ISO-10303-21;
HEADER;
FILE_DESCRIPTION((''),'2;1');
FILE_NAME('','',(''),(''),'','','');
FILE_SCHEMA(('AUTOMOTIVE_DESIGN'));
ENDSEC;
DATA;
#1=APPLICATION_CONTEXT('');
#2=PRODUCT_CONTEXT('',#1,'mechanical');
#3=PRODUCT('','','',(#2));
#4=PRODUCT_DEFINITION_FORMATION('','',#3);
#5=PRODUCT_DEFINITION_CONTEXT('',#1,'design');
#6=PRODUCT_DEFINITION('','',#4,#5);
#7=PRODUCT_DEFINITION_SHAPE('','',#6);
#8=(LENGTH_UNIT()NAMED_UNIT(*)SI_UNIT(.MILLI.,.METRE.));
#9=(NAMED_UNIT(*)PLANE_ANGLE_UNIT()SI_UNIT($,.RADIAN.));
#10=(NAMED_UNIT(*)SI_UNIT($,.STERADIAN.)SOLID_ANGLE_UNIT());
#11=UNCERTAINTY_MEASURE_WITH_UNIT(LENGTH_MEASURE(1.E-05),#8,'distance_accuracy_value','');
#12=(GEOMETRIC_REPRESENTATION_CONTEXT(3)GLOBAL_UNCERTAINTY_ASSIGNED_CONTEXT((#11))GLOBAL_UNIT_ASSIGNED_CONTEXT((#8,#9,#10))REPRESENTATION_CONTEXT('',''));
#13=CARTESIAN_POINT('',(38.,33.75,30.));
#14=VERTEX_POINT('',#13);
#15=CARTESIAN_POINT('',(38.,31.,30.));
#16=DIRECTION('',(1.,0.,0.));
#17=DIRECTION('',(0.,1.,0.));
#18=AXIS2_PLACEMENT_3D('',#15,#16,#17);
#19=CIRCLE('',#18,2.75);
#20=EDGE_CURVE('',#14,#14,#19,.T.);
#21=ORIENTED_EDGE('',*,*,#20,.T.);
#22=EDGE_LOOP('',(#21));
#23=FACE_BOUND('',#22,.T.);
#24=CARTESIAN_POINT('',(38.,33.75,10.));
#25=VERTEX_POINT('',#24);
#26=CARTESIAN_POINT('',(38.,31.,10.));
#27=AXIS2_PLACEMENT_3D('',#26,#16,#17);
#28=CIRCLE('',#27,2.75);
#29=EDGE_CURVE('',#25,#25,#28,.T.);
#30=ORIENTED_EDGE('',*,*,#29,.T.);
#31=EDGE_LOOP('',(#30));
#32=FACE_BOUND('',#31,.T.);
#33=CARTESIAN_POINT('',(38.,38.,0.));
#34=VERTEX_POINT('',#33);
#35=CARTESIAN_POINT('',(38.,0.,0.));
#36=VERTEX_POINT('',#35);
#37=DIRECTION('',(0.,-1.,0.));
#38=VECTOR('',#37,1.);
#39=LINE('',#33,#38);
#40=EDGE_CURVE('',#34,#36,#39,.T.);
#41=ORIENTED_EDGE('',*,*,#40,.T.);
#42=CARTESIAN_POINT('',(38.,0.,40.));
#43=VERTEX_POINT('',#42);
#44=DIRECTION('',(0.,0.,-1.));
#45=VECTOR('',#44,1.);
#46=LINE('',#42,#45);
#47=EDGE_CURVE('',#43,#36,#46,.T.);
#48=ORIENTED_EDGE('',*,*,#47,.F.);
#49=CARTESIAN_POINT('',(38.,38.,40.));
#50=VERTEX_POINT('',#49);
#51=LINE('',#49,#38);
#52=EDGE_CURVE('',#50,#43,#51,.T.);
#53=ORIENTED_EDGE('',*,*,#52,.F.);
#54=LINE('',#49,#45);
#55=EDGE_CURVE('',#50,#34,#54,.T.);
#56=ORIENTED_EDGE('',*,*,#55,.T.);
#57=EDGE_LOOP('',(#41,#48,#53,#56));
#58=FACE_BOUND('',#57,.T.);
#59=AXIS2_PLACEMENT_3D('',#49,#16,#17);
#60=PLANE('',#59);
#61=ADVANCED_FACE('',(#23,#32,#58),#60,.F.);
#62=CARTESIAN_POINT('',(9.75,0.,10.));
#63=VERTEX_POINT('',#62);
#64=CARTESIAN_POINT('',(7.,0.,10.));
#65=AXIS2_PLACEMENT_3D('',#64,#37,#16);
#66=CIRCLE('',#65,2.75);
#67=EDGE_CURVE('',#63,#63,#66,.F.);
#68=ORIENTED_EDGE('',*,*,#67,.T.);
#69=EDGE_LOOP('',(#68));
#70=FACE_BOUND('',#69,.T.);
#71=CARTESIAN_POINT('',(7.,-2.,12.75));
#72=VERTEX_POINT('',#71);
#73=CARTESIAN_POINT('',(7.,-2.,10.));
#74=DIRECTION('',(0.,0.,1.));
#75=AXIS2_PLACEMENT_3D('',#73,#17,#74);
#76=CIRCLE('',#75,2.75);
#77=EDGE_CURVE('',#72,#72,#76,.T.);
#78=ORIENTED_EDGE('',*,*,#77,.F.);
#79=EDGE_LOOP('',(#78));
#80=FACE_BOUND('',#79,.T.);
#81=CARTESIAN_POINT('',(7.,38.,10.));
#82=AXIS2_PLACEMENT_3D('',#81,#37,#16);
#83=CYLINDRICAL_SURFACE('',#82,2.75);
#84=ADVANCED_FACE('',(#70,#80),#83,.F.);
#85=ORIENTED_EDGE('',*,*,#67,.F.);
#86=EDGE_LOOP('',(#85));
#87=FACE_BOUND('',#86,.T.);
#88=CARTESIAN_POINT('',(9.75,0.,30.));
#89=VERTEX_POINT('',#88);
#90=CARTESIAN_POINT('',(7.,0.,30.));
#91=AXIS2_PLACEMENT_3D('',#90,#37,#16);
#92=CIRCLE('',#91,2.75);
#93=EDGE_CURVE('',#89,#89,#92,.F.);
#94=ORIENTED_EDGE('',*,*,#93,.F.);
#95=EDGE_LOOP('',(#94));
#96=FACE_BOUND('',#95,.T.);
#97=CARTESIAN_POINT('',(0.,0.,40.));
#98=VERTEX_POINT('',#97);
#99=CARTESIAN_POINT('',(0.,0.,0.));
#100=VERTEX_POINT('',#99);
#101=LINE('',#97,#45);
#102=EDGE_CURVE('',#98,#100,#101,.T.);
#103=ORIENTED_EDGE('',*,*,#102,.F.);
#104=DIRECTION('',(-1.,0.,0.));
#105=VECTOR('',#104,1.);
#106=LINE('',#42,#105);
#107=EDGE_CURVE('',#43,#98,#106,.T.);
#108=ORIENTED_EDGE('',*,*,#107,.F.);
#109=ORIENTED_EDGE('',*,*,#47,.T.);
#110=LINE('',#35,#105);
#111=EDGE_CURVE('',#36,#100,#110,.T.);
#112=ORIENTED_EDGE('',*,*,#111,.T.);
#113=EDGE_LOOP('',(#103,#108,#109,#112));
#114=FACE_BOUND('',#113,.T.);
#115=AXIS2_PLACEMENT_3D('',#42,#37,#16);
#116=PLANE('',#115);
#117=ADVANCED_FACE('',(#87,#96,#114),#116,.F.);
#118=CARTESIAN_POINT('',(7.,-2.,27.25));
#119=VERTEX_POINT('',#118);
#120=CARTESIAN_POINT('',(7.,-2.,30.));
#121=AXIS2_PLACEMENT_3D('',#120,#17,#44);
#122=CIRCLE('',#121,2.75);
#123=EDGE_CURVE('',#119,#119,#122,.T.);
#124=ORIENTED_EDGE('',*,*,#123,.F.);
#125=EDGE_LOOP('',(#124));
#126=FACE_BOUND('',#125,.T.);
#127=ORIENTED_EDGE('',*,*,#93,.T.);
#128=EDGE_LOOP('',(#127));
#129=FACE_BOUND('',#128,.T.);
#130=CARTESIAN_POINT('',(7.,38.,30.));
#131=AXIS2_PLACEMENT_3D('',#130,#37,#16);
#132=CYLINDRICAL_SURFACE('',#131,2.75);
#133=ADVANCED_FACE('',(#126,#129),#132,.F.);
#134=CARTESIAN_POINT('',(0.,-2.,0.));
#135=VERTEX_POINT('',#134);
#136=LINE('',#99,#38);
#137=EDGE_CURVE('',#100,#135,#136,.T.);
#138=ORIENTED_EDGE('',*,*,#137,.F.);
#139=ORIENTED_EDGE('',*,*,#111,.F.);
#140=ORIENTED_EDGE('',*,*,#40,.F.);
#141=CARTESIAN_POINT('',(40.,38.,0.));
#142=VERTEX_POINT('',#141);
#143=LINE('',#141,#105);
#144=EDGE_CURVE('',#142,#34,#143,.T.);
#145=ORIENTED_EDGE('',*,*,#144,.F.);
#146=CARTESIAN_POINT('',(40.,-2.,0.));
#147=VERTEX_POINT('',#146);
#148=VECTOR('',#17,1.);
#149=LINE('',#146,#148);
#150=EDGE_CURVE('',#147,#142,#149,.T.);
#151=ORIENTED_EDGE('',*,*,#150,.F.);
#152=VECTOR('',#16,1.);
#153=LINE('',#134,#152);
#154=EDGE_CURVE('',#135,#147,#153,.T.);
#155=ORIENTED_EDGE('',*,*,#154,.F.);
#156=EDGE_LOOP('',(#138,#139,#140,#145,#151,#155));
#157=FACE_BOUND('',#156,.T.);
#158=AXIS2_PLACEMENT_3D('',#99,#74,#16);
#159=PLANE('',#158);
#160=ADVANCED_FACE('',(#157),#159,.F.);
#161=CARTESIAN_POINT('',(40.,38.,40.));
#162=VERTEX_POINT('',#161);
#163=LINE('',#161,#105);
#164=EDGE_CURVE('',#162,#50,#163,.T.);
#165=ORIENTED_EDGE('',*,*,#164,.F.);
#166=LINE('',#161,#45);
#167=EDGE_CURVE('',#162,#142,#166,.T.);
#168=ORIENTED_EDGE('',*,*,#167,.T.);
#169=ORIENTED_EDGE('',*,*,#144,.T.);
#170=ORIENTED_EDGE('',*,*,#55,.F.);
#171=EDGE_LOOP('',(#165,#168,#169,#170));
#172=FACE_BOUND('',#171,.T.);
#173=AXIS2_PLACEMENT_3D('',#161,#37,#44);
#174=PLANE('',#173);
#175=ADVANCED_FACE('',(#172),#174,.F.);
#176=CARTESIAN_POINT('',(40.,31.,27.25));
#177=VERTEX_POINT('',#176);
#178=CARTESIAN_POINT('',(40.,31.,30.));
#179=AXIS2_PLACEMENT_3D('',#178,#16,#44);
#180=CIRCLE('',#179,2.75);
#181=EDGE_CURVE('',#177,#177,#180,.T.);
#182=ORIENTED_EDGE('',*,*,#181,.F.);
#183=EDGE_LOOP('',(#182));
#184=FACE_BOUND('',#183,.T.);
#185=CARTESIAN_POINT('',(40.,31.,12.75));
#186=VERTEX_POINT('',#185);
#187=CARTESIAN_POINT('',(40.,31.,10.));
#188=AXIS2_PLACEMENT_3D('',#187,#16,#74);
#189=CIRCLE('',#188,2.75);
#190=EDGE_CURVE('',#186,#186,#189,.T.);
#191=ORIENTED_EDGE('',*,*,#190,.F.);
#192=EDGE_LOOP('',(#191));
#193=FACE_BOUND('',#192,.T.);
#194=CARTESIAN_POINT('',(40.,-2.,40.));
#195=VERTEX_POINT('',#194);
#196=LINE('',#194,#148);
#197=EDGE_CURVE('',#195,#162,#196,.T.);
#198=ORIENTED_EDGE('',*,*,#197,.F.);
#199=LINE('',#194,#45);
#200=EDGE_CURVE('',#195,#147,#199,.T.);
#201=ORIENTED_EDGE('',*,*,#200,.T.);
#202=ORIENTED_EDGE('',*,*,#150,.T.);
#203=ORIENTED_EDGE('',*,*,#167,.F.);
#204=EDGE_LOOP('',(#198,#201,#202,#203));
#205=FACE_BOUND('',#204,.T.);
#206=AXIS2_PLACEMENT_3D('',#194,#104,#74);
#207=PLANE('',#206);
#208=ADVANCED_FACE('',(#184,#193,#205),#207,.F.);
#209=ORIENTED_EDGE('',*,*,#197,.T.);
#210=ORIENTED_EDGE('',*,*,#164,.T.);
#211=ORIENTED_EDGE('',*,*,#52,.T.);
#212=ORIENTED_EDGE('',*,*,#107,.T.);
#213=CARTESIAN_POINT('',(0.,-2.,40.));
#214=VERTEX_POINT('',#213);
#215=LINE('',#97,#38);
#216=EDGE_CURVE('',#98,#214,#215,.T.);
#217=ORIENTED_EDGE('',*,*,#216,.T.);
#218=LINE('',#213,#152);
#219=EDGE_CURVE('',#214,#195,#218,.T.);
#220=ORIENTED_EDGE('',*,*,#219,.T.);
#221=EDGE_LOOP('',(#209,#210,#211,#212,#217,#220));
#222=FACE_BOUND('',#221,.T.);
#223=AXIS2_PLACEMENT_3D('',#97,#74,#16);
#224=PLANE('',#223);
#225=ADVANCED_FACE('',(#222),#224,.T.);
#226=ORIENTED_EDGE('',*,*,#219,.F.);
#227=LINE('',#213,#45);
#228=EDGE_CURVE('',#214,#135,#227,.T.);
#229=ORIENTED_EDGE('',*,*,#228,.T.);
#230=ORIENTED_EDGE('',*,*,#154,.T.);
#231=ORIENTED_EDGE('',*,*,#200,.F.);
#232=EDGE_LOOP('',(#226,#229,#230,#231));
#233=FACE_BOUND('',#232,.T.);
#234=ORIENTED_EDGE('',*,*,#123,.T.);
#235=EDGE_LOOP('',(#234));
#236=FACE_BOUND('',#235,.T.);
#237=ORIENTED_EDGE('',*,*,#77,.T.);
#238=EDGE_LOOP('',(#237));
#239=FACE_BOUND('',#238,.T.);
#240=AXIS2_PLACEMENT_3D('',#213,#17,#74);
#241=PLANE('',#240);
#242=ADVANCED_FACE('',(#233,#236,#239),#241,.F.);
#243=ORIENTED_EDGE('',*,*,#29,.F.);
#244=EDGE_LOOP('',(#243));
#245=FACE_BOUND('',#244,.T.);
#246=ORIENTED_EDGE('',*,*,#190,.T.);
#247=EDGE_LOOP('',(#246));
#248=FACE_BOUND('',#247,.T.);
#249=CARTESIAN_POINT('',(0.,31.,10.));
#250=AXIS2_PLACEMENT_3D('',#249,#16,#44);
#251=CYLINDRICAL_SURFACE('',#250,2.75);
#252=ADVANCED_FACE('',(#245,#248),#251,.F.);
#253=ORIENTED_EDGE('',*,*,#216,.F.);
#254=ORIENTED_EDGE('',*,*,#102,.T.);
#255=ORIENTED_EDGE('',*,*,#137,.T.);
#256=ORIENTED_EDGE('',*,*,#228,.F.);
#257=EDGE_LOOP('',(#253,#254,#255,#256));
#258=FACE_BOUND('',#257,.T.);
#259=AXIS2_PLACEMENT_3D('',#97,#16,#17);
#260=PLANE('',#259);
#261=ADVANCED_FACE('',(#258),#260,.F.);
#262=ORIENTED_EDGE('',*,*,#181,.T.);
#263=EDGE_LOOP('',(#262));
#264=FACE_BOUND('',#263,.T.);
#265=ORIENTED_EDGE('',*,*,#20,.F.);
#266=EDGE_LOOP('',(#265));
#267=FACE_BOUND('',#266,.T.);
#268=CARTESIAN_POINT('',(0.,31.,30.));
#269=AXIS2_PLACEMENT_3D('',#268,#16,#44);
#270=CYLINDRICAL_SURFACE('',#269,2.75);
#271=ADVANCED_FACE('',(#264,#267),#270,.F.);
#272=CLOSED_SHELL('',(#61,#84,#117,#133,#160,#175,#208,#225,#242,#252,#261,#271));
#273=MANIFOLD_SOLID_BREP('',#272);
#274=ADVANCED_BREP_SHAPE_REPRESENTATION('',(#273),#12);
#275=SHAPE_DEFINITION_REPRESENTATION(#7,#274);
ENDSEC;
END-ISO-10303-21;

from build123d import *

# Parameters (mm, degrees)
EXTRUDE_1_DEPTH     = 40
SKETCH_2_R          = 2.75
CUT_EXTRUDE_1_DEPTH = 40


with BuildPart() as part:
    # 草图1 → 凸台-拉伸1 (new body)
    with BuildSketch(Plane.XY):
        Polygon((0, 0), (0, -2), (40, -2), (40, 38), (38, 38), (38, 0), align=None)
    extrude(amount=EXTRUDE_1_DEPTH)

    # 草图2 → 切除-拉伸1 (cut)
    with BuildSketch(Plane(origin=(40, 0, 0), x_dir=(0, 0, -1), z_dir=(1, 0, 0))):
        with Locations((-30, 31)):
            Circle(SKETCH_2_R)
        with Locations(Location((-10, 31, 0), (0, 0, 90))):
            Circle(SKETCH_2_R)
    cut_extrude_1 = extrude(amount=-CUT_EXTRUDE_1_DEPTH, mode=Mode.SUBTRACT)

    # 镜向1: 切除-拉伸1 across plane
    add(cut_extrude_1.mirror(Plane(origin=(19, 19, 0), x_dir=(0, 0, 1), z_dir=(0.7071067811865488, 0.7071067811865464, 0))), mode=Mode.SUBTRACT)


solid = part.part
